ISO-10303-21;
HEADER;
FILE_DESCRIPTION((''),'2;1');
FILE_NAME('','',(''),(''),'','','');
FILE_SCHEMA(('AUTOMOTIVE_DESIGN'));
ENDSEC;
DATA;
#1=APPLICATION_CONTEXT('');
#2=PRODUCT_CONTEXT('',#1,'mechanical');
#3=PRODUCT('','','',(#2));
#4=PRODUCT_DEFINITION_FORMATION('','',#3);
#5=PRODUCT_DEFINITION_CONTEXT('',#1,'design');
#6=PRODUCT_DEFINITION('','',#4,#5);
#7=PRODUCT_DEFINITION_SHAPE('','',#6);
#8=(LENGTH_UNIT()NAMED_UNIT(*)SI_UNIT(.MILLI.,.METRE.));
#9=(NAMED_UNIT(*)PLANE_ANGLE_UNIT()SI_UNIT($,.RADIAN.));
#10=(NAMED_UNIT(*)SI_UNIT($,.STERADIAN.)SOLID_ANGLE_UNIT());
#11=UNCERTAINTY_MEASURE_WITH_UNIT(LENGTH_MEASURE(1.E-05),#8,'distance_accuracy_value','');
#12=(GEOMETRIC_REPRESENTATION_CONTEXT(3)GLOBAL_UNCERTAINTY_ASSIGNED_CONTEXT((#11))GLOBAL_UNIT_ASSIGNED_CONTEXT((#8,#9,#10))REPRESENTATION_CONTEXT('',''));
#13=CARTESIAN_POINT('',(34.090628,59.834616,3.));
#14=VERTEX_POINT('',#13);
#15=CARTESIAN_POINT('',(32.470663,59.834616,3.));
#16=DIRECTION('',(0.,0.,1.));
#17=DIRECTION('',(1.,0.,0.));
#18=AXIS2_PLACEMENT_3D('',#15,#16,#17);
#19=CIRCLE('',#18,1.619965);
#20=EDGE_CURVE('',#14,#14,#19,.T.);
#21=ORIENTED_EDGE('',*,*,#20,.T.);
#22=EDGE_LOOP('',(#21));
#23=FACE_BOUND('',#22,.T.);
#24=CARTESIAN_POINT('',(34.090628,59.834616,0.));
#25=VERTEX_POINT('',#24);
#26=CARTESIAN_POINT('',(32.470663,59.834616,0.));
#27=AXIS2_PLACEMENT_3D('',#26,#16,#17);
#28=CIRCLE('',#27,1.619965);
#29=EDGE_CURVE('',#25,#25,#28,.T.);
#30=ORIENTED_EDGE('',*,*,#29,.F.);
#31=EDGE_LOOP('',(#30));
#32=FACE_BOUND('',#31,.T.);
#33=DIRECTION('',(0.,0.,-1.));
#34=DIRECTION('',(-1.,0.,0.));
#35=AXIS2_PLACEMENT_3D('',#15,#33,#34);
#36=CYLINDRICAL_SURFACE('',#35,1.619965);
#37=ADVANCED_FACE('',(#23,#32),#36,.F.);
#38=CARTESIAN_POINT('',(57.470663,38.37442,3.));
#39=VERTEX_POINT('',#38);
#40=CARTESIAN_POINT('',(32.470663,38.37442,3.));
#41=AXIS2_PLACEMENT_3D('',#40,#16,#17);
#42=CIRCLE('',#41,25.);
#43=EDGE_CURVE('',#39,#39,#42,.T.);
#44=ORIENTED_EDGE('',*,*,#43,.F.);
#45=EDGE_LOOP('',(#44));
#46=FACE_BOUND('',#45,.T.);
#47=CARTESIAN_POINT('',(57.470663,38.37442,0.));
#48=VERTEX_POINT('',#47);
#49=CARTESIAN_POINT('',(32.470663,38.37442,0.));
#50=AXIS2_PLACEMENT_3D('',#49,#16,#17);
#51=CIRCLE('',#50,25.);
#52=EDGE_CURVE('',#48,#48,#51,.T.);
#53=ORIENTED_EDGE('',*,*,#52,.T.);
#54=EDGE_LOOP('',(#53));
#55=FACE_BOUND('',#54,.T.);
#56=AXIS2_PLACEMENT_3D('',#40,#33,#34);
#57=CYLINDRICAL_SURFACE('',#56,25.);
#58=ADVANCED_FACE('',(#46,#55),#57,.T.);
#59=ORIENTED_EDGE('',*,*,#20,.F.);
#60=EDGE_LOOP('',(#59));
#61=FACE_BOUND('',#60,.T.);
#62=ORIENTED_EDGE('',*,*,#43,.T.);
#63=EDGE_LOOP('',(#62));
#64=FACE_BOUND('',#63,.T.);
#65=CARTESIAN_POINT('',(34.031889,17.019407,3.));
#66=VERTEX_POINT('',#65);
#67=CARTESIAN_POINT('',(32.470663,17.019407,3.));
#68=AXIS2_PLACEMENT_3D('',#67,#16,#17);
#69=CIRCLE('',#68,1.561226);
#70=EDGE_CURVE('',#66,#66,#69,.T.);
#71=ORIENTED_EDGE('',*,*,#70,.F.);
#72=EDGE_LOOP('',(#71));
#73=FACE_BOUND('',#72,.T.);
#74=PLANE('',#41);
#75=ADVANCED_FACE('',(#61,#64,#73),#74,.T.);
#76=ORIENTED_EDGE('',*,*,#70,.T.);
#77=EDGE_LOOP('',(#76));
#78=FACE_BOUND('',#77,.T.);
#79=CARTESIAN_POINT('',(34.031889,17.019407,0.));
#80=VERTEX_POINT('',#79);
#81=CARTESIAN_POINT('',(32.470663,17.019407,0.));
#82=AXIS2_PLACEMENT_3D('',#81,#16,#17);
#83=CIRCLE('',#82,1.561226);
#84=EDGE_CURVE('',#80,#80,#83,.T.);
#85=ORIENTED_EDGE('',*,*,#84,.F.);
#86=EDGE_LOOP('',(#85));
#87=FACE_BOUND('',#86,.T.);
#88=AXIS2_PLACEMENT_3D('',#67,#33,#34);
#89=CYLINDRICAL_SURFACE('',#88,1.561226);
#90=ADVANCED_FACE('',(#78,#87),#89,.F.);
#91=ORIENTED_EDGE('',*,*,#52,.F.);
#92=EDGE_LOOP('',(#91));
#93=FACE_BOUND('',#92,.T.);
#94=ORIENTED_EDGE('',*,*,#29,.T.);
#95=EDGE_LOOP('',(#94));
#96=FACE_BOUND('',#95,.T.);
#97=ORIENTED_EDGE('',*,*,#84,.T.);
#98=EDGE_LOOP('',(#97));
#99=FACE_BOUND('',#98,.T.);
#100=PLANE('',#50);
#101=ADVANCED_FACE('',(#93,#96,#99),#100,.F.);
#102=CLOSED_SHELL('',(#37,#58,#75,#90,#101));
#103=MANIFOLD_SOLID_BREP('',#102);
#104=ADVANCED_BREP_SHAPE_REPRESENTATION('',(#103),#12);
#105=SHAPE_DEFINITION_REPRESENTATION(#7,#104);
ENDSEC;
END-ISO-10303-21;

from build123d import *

# Parameters (mm, degrees)
SKETCH1_R           = 25
SKETCH1_R_2         = 1.561226439
SKETCH1_R_3         = 1.619964855
BOSS_EXTRUDE1_DEPTH = 3


with BuildPart() as part:
    # Sketch1 → Boss-Extrude1 (new body)
    with BuildSketch(Plane.XY):
        with Locations((32.470662993, 38.3744199)):
            Circle(SKETCH1_R)
        with Locations((32.470662993, 17.019406997)):
            Circle(SKETCH1_R_2, mode=Mode.SUBTRACT)
        with Locations((32.470662993, 59.834615522)):
            Circle(SKETCH1_R_3, mode=Mode.SUBTRACT)
    extrude(amount=BOSS_EXTRUDE1_DEPTH)


solid = part.part
